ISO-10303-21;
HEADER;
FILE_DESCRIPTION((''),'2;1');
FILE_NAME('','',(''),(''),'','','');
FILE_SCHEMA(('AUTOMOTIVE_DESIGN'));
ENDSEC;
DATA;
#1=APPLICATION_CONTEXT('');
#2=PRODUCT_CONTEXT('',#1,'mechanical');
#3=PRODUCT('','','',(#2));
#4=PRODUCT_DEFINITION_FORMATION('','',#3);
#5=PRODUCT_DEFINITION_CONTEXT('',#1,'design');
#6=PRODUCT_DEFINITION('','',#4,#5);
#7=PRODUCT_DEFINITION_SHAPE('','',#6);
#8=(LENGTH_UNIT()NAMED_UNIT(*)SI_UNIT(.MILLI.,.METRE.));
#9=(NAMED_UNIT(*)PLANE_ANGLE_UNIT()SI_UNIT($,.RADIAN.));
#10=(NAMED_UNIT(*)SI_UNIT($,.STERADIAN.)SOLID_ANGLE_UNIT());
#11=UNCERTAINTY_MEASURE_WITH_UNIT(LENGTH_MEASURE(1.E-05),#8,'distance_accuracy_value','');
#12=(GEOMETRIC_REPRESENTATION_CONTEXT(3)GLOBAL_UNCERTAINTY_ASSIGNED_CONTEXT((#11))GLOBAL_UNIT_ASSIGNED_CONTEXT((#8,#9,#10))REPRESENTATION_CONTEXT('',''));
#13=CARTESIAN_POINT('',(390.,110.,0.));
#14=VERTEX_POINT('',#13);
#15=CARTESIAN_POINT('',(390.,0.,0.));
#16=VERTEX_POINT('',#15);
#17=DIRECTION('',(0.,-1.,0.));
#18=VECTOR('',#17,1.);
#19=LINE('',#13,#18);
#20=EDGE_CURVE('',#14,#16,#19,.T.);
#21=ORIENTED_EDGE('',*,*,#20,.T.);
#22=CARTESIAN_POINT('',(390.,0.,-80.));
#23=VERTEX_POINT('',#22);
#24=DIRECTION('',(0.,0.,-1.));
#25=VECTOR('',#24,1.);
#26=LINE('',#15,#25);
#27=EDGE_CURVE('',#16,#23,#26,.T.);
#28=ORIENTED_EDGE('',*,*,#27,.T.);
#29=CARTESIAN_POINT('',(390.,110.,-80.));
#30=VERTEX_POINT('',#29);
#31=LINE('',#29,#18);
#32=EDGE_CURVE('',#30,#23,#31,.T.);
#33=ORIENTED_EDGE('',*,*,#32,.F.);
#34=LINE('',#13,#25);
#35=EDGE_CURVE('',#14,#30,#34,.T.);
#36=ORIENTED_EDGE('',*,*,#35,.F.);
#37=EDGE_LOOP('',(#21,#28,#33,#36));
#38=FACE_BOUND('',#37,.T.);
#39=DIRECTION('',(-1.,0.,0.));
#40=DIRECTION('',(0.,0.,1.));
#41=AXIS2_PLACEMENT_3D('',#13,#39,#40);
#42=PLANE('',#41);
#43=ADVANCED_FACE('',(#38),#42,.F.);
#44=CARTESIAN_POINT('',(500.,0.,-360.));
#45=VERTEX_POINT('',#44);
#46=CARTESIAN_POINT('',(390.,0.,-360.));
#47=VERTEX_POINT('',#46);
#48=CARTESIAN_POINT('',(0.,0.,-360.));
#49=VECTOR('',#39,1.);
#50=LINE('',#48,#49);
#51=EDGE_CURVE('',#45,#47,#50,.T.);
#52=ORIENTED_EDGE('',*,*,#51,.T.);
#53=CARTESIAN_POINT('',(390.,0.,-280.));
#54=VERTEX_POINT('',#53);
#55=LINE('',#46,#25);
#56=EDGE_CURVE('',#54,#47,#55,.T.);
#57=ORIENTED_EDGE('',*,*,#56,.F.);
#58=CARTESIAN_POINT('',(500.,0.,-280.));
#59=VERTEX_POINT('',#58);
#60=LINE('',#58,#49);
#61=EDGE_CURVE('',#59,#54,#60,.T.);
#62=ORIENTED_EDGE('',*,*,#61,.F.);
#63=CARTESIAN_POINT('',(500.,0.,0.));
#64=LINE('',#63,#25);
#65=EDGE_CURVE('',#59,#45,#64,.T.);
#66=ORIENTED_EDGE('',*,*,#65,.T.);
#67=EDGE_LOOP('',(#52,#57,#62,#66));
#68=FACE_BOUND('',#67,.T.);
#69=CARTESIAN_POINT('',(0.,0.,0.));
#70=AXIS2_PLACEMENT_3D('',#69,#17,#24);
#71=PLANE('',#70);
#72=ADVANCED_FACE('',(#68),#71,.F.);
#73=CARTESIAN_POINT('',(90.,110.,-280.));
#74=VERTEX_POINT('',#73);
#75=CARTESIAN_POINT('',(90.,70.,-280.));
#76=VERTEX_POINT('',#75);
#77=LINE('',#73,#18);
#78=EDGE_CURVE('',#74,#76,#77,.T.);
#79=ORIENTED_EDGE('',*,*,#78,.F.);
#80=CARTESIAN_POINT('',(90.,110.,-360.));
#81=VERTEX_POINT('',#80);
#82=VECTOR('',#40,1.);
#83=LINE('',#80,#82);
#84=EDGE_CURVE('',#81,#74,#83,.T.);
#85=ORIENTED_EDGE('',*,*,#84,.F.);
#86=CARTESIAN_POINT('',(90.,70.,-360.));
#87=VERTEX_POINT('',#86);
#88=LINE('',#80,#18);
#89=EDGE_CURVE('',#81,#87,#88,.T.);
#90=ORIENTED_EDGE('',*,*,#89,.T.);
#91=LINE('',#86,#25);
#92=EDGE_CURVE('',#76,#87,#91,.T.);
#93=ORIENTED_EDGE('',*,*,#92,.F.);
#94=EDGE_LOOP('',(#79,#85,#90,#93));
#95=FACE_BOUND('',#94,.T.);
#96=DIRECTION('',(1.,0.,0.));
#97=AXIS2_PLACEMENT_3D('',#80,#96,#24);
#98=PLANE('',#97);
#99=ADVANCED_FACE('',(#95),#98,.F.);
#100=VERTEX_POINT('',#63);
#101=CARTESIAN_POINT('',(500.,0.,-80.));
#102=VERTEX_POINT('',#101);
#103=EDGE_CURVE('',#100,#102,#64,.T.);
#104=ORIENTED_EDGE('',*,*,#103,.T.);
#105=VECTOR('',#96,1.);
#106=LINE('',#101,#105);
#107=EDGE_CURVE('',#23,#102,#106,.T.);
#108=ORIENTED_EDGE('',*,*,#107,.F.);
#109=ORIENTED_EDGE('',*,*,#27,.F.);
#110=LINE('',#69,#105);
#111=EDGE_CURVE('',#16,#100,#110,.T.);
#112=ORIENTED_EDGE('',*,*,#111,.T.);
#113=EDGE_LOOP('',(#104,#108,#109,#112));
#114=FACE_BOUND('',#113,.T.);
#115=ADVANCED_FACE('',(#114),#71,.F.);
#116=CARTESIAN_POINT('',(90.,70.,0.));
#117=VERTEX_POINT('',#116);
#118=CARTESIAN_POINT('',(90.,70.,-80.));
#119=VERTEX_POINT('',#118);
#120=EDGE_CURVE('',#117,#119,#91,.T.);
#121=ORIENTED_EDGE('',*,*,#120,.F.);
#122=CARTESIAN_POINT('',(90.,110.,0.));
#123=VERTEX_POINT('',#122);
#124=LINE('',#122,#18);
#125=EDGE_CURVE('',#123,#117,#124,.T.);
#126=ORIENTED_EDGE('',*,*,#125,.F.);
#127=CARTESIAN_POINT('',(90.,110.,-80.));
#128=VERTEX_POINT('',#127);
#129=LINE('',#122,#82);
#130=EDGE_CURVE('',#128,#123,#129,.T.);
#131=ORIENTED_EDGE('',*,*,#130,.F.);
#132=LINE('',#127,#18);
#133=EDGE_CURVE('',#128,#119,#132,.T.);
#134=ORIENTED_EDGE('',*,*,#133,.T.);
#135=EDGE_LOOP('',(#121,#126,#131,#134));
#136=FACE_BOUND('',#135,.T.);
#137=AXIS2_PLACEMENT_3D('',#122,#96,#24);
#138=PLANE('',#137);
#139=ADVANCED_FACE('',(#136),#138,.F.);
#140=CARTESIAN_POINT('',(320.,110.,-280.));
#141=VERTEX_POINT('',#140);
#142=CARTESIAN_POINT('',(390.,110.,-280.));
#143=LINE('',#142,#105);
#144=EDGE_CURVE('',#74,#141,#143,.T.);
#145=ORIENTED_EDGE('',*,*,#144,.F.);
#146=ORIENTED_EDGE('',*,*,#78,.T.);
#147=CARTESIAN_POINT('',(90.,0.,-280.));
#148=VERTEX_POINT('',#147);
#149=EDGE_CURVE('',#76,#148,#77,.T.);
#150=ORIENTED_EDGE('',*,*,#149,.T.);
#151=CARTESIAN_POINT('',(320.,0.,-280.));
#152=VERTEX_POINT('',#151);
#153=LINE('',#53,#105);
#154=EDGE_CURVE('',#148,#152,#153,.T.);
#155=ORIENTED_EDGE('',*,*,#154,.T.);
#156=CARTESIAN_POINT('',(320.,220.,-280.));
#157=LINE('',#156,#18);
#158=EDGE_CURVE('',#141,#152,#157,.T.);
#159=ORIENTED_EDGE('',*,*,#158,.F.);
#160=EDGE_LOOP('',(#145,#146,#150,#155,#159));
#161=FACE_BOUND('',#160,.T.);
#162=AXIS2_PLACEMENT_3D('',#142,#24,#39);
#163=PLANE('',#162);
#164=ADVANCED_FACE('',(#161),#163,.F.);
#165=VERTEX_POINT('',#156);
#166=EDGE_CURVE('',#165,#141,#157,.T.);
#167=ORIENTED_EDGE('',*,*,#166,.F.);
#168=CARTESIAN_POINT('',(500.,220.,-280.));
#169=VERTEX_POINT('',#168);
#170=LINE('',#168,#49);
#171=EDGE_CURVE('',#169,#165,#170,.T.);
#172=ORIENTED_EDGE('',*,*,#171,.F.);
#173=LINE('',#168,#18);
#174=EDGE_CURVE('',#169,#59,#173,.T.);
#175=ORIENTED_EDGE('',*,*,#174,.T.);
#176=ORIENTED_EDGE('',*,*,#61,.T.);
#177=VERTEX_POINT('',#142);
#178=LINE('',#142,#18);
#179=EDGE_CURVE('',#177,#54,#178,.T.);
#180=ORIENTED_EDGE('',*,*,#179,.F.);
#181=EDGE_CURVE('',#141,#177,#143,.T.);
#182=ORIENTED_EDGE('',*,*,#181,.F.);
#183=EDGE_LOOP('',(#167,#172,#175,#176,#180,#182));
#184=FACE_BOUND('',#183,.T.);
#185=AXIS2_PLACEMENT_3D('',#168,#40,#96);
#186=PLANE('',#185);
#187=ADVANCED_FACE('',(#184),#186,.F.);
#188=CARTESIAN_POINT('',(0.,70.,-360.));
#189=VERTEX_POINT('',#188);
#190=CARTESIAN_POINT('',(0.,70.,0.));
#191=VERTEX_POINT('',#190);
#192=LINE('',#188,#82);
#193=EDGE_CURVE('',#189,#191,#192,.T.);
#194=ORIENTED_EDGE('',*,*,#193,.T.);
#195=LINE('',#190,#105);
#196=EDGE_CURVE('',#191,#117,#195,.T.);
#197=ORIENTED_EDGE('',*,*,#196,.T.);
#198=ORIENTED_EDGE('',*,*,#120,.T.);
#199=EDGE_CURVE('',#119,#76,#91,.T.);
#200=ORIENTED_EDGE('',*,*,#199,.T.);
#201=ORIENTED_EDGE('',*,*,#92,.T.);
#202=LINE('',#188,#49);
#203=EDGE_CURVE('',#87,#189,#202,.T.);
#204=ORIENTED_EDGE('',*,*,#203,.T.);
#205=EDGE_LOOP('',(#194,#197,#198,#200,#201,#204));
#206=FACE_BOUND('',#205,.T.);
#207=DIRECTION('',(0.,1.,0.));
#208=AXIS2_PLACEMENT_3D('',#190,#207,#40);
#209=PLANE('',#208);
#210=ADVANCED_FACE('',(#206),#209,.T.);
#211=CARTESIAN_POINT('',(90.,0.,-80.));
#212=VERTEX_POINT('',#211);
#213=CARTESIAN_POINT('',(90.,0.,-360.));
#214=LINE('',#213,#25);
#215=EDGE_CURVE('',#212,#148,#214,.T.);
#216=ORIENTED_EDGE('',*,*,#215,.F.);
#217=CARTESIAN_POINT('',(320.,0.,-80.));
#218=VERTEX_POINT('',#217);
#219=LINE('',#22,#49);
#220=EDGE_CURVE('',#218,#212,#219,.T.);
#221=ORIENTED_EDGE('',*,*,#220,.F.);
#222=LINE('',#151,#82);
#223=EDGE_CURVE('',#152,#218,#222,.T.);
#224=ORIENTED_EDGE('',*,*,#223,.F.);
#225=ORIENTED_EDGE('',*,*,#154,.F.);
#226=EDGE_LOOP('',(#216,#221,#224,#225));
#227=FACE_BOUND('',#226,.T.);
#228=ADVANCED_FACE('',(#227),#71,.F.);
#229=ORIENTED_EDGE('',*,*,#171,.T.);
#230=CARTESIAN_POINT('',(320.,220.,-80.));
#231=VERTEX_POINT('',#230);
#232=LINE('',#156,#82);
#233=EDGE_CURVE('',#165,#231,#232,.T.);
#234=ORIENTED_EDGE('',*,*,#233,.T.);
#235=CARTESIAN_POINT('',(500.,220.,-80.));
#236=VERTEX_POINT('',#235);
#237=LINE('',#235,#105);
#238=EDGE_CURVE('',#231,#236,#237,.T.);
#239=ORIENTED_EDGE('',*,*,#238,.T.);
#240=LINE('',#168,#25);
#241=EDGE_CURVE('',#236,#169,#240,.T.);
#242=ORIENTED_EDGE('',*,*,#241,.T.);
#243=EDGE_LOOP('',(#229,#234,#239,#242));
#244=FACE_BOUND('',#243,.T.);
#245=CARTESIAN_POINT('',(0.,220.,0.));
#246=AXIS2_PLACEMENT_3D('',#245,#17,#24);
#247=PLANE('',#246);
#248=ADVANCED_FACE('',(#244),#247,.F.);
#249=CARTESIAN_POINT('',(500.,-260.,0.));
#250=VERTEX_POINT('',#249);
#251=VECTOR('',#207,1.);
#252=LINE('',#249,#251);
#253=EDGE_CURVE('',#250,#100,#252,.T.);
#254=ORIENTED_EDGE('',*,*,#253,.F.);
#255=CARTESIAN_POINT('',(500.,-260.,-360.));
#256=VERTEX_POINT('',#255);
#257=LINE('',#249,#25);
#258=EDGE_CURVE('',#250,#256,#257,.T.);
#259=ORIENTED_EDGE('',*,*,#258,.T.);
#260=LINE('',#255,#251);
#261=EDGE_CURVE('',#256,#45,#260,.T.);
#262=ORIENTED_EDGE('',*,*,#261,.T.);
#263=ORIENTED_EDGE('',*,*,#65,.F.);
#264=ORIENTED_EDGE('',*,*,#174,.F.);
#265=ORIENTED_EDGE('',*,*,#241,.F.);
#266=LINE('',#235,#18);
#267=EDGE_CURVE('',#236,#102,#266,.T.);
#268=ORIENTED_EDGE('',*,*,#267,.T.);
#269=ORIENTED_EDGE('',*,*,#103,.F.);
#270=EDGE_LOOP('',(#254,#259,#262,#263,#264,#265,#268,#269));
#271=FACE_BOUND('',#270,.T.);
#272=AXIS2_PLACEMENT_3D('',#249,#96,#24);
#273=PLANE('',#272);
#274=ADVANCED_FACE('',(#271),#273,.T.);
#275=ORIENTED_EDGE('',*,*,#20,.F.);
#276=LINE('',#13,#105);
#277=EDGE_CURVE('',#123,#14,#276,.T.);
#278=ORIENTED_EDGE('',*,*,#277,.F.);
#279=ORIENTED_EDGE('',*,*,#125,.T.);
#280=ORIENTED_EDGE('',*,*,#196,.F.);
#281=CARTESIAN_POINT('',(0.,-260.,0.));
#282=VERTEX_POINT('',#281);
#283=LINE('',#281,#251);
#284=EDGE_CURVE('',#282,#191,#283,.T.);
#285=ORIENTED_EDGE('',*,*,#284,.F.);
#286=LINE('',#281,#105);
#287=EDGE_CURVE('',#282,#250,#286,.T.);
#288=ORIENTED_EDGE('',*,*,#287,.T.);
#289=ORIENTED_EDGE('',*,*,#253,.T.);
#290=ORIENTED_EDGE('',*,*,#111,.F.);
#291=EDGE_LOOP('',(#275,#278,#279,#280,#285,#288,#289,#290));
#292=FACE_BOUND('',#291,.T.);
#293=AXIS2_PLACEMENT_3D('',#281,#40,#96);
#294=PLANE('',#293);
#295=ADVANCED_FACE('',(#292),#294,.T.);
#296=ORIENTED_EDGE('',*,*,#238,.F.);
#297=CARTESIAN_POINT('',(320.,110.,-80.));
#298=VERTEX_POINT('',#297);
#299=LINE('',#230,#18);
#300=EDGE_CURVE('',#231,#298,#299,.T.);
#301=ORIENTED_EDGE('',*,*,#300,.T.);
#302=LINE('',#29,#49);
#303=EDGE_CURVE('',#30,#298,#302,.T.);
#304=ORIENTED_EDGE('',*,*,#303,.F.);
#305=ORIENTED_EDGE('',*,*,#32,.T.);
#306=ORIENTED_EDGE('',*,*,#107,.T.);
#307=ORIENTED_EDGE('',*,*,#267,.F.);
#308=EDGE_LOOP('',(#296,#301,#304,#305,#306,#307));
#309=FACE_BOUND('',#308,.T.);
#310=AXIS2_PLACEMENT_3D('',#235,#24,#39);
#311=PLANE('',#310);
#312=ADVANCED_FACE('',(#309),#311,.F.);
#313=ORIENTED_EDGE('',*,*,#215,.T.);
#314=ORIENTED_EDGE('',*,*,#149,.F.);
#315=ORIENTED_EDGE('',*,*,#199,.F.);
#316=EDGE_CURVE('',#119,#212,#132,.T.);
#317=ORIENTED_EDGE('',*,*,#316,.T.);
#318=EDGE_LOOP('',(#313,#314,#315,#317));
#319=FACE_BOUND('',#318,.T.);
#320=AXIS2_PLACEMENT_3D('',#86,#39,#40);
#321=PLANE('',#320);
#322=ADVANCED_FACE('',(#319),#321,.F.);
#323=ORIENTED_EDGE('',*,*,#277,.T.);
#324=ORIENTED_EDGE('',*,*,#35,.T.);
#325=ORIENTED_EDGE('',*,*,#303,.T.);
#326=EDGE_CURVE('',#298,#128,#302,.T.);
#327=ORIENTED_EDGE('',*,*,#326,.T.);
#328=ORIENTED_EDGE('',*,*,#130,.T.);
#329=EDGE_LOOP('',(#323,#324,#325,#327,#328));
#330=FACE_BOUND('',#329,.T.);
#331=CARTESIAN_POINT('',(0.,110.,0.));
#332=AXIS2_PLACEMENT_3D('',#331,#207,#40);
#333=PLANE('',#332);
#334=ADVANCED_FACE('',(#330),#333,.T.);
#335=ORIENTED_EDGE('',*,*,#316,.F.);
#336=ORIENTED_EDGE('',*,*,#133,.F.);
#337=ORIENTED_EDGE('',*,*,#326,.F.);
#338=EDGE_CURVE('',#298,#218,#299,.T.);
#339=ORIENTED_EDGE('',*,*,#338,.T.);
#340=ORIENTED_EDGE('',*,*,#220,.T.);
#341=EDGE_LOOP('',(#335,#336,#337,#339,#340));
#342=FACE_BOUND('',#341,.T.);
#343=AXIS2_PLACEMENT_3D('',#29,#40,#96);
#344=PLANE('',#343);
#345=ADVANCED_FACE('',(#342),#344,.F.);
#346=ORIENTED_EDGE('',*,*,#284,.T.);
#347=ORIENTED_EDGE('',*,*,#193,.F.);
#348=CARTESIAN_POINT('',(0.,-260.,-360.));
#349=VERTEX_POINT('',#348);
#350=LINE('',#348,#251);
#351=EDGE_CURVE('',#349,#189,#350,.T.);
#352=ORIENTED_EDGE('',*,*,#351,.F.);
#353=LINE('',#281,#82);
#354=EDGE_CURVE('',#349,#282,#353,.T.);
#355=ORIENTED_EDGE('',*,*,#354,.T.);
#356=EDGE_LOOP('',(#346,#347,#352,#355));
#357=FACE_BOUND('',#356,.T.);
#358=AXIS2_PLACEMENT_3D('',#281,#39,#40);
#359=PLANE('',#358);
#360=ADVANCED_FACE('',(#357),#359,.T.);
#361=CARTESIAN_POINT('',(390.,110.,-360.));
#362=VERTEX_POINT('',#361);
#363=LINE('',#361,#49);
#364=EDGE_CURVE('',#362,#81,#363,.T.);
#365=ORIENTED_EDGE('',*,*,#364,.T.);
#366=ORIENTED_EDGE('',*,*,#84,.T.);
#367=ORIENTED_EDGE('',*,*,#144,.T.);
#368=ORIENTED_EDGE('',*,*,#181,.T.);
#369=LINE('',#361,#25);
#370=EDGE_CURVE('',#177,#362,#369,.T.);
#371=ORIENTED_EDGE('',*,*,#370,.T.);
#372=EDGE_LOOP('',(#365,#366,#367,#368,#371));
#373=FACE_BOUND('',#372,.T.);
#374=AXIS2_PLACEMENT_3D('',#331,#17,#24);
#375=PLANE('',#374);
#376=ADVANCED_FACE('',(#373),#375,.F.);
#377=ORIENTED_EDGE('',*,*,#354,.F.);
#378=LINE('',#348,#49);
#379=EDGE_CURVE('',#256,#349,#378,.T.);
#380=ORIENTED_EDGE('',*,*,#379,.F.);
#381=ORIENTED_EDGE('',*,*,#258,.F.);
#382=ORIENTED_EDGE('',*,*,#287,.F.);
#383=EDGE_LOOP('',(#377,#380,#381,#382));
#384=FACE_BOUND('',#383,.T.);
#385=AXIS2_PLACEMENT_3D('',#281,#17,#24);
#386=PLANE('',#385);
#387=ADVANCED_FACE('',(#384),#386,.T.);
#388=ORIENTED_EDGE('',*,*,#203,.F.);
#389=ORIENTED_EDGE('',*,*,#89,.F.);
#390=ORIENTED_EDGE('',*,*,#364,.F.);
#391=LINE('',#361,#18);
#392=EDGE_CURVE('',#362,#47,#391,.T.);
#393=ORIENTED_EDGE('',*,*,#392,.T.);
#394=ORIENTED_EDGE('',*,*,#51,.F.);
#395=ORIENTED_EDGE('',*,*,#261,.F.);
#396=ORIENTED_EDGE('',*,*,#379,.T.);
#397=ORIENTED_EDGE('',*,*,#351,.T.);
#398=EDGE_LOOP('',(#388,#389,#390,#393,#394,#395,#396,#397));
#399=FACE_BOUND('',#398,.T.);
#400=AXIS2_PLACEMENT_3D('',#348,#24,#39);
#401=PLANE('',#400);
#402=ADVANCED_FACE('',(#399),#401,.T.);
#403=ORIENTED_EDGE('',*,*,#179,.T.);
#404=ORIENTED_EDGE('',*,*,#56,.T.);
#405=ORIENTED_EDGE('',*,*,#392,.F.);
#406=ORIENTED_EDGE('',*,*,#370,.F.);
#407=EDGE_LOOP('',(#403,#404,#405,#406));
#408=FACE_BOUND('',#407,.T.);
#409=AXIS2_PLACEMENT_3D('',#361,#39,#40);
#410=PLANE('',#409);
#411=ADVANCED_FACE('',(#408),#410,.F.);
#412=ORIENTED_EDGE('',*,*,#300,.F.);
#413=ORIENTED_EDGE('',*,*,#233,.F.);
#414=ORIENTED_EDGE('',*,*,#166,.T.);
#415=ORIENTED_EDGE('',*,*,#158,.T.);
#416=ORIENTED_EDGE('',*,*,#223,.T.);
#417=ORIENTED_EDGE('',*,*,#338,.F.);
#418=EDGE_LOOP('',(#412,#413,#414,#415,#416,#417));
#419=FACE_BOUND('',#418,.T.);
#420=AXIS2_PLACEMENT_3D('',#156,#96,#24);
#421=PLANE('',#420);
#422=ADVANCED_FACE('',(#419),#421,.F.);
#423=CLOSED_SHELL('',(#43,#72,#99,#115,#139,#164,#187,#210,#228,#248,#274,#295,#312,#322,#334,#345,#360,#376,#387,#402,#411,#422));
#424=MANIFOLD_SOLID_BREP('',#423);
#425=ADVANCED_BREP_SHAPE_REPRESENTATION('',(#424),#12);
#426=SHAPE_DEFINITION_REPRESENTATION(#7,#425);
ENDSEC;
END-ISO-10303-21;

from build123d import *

# Parameters (mm, degrees)
SKETCH1_W           = 500
SKETCH1_H           = 360
BOSS_EXTRUDE1_DEPTH = 260
SKETCH2_W           = 90
SKETCH2_H           = 360
BOSS_EXTRUDE3_DEPTH = 70
SKETCH3_W           = 300
SKETCH3_H           = 80
BOSS_EXTRUDE4_DEPTH = 110
SKETCH4_W           = 180
SKETCH4_H           = 200
BOSS_EXTRUDE5_DEPTH = 220


with BuildPart() as part:
    # Sketch1 → Boss-Extrude1 (new body)
    with BuildSketch(Plane(origin=(0, 0, 0), x_dir=(1, 0, 0), z_dir=(0, 1, 0))):
        with Locations((250, 180)):
            Rectangle(SKETCH1_W, SKETCH1_H)
    extrude(amount=-BOSS_EXTRUDE1_DEPTH)

    # Sketch2 → Boss-Extrude3 (add)
    with BuildSketch(Plane(origin=(0, 0, 0), x_dir=(1, 0, 0), z_dir=(0, 1, 0))):
        with Locations((45, 180)):
            Rectangle(SKETCH2_W, SKETCH2_H)
    extrude(amount=BOSS_EXTRUDE3_DEPTH)

    # Sketch3 → Boss-Extrude4 (add)
    with BuildSketch(Plane(origin=(0, 0, 0), x_dir=(1, 0, 0), z_dir=(0, 1, 0))):
        with Locations((240, 320)):
            Rectangle(SKETCH3_W, SKETCH3_H)
        with Locations((240, 40)):
            Rectangle(SKETCH3_W, SKETCH3_H)
    extrude(amount=BOSS_EXTRUDE4_DEPTH)

    # Sketch4 → Boss-Extrude5 (add)
    with BuildSketch(Plane(origin=(0, 0, 0), x_dir=(1, 0, 0), z_dir=(0, 1, 0))):
        with Locations((410, 180)):
            Rectangle(SKETCH4_W, SKETCH4_H)
    extrude(amount=BOSS_EXTRUDE5_DEPTH)


solid = part.part
